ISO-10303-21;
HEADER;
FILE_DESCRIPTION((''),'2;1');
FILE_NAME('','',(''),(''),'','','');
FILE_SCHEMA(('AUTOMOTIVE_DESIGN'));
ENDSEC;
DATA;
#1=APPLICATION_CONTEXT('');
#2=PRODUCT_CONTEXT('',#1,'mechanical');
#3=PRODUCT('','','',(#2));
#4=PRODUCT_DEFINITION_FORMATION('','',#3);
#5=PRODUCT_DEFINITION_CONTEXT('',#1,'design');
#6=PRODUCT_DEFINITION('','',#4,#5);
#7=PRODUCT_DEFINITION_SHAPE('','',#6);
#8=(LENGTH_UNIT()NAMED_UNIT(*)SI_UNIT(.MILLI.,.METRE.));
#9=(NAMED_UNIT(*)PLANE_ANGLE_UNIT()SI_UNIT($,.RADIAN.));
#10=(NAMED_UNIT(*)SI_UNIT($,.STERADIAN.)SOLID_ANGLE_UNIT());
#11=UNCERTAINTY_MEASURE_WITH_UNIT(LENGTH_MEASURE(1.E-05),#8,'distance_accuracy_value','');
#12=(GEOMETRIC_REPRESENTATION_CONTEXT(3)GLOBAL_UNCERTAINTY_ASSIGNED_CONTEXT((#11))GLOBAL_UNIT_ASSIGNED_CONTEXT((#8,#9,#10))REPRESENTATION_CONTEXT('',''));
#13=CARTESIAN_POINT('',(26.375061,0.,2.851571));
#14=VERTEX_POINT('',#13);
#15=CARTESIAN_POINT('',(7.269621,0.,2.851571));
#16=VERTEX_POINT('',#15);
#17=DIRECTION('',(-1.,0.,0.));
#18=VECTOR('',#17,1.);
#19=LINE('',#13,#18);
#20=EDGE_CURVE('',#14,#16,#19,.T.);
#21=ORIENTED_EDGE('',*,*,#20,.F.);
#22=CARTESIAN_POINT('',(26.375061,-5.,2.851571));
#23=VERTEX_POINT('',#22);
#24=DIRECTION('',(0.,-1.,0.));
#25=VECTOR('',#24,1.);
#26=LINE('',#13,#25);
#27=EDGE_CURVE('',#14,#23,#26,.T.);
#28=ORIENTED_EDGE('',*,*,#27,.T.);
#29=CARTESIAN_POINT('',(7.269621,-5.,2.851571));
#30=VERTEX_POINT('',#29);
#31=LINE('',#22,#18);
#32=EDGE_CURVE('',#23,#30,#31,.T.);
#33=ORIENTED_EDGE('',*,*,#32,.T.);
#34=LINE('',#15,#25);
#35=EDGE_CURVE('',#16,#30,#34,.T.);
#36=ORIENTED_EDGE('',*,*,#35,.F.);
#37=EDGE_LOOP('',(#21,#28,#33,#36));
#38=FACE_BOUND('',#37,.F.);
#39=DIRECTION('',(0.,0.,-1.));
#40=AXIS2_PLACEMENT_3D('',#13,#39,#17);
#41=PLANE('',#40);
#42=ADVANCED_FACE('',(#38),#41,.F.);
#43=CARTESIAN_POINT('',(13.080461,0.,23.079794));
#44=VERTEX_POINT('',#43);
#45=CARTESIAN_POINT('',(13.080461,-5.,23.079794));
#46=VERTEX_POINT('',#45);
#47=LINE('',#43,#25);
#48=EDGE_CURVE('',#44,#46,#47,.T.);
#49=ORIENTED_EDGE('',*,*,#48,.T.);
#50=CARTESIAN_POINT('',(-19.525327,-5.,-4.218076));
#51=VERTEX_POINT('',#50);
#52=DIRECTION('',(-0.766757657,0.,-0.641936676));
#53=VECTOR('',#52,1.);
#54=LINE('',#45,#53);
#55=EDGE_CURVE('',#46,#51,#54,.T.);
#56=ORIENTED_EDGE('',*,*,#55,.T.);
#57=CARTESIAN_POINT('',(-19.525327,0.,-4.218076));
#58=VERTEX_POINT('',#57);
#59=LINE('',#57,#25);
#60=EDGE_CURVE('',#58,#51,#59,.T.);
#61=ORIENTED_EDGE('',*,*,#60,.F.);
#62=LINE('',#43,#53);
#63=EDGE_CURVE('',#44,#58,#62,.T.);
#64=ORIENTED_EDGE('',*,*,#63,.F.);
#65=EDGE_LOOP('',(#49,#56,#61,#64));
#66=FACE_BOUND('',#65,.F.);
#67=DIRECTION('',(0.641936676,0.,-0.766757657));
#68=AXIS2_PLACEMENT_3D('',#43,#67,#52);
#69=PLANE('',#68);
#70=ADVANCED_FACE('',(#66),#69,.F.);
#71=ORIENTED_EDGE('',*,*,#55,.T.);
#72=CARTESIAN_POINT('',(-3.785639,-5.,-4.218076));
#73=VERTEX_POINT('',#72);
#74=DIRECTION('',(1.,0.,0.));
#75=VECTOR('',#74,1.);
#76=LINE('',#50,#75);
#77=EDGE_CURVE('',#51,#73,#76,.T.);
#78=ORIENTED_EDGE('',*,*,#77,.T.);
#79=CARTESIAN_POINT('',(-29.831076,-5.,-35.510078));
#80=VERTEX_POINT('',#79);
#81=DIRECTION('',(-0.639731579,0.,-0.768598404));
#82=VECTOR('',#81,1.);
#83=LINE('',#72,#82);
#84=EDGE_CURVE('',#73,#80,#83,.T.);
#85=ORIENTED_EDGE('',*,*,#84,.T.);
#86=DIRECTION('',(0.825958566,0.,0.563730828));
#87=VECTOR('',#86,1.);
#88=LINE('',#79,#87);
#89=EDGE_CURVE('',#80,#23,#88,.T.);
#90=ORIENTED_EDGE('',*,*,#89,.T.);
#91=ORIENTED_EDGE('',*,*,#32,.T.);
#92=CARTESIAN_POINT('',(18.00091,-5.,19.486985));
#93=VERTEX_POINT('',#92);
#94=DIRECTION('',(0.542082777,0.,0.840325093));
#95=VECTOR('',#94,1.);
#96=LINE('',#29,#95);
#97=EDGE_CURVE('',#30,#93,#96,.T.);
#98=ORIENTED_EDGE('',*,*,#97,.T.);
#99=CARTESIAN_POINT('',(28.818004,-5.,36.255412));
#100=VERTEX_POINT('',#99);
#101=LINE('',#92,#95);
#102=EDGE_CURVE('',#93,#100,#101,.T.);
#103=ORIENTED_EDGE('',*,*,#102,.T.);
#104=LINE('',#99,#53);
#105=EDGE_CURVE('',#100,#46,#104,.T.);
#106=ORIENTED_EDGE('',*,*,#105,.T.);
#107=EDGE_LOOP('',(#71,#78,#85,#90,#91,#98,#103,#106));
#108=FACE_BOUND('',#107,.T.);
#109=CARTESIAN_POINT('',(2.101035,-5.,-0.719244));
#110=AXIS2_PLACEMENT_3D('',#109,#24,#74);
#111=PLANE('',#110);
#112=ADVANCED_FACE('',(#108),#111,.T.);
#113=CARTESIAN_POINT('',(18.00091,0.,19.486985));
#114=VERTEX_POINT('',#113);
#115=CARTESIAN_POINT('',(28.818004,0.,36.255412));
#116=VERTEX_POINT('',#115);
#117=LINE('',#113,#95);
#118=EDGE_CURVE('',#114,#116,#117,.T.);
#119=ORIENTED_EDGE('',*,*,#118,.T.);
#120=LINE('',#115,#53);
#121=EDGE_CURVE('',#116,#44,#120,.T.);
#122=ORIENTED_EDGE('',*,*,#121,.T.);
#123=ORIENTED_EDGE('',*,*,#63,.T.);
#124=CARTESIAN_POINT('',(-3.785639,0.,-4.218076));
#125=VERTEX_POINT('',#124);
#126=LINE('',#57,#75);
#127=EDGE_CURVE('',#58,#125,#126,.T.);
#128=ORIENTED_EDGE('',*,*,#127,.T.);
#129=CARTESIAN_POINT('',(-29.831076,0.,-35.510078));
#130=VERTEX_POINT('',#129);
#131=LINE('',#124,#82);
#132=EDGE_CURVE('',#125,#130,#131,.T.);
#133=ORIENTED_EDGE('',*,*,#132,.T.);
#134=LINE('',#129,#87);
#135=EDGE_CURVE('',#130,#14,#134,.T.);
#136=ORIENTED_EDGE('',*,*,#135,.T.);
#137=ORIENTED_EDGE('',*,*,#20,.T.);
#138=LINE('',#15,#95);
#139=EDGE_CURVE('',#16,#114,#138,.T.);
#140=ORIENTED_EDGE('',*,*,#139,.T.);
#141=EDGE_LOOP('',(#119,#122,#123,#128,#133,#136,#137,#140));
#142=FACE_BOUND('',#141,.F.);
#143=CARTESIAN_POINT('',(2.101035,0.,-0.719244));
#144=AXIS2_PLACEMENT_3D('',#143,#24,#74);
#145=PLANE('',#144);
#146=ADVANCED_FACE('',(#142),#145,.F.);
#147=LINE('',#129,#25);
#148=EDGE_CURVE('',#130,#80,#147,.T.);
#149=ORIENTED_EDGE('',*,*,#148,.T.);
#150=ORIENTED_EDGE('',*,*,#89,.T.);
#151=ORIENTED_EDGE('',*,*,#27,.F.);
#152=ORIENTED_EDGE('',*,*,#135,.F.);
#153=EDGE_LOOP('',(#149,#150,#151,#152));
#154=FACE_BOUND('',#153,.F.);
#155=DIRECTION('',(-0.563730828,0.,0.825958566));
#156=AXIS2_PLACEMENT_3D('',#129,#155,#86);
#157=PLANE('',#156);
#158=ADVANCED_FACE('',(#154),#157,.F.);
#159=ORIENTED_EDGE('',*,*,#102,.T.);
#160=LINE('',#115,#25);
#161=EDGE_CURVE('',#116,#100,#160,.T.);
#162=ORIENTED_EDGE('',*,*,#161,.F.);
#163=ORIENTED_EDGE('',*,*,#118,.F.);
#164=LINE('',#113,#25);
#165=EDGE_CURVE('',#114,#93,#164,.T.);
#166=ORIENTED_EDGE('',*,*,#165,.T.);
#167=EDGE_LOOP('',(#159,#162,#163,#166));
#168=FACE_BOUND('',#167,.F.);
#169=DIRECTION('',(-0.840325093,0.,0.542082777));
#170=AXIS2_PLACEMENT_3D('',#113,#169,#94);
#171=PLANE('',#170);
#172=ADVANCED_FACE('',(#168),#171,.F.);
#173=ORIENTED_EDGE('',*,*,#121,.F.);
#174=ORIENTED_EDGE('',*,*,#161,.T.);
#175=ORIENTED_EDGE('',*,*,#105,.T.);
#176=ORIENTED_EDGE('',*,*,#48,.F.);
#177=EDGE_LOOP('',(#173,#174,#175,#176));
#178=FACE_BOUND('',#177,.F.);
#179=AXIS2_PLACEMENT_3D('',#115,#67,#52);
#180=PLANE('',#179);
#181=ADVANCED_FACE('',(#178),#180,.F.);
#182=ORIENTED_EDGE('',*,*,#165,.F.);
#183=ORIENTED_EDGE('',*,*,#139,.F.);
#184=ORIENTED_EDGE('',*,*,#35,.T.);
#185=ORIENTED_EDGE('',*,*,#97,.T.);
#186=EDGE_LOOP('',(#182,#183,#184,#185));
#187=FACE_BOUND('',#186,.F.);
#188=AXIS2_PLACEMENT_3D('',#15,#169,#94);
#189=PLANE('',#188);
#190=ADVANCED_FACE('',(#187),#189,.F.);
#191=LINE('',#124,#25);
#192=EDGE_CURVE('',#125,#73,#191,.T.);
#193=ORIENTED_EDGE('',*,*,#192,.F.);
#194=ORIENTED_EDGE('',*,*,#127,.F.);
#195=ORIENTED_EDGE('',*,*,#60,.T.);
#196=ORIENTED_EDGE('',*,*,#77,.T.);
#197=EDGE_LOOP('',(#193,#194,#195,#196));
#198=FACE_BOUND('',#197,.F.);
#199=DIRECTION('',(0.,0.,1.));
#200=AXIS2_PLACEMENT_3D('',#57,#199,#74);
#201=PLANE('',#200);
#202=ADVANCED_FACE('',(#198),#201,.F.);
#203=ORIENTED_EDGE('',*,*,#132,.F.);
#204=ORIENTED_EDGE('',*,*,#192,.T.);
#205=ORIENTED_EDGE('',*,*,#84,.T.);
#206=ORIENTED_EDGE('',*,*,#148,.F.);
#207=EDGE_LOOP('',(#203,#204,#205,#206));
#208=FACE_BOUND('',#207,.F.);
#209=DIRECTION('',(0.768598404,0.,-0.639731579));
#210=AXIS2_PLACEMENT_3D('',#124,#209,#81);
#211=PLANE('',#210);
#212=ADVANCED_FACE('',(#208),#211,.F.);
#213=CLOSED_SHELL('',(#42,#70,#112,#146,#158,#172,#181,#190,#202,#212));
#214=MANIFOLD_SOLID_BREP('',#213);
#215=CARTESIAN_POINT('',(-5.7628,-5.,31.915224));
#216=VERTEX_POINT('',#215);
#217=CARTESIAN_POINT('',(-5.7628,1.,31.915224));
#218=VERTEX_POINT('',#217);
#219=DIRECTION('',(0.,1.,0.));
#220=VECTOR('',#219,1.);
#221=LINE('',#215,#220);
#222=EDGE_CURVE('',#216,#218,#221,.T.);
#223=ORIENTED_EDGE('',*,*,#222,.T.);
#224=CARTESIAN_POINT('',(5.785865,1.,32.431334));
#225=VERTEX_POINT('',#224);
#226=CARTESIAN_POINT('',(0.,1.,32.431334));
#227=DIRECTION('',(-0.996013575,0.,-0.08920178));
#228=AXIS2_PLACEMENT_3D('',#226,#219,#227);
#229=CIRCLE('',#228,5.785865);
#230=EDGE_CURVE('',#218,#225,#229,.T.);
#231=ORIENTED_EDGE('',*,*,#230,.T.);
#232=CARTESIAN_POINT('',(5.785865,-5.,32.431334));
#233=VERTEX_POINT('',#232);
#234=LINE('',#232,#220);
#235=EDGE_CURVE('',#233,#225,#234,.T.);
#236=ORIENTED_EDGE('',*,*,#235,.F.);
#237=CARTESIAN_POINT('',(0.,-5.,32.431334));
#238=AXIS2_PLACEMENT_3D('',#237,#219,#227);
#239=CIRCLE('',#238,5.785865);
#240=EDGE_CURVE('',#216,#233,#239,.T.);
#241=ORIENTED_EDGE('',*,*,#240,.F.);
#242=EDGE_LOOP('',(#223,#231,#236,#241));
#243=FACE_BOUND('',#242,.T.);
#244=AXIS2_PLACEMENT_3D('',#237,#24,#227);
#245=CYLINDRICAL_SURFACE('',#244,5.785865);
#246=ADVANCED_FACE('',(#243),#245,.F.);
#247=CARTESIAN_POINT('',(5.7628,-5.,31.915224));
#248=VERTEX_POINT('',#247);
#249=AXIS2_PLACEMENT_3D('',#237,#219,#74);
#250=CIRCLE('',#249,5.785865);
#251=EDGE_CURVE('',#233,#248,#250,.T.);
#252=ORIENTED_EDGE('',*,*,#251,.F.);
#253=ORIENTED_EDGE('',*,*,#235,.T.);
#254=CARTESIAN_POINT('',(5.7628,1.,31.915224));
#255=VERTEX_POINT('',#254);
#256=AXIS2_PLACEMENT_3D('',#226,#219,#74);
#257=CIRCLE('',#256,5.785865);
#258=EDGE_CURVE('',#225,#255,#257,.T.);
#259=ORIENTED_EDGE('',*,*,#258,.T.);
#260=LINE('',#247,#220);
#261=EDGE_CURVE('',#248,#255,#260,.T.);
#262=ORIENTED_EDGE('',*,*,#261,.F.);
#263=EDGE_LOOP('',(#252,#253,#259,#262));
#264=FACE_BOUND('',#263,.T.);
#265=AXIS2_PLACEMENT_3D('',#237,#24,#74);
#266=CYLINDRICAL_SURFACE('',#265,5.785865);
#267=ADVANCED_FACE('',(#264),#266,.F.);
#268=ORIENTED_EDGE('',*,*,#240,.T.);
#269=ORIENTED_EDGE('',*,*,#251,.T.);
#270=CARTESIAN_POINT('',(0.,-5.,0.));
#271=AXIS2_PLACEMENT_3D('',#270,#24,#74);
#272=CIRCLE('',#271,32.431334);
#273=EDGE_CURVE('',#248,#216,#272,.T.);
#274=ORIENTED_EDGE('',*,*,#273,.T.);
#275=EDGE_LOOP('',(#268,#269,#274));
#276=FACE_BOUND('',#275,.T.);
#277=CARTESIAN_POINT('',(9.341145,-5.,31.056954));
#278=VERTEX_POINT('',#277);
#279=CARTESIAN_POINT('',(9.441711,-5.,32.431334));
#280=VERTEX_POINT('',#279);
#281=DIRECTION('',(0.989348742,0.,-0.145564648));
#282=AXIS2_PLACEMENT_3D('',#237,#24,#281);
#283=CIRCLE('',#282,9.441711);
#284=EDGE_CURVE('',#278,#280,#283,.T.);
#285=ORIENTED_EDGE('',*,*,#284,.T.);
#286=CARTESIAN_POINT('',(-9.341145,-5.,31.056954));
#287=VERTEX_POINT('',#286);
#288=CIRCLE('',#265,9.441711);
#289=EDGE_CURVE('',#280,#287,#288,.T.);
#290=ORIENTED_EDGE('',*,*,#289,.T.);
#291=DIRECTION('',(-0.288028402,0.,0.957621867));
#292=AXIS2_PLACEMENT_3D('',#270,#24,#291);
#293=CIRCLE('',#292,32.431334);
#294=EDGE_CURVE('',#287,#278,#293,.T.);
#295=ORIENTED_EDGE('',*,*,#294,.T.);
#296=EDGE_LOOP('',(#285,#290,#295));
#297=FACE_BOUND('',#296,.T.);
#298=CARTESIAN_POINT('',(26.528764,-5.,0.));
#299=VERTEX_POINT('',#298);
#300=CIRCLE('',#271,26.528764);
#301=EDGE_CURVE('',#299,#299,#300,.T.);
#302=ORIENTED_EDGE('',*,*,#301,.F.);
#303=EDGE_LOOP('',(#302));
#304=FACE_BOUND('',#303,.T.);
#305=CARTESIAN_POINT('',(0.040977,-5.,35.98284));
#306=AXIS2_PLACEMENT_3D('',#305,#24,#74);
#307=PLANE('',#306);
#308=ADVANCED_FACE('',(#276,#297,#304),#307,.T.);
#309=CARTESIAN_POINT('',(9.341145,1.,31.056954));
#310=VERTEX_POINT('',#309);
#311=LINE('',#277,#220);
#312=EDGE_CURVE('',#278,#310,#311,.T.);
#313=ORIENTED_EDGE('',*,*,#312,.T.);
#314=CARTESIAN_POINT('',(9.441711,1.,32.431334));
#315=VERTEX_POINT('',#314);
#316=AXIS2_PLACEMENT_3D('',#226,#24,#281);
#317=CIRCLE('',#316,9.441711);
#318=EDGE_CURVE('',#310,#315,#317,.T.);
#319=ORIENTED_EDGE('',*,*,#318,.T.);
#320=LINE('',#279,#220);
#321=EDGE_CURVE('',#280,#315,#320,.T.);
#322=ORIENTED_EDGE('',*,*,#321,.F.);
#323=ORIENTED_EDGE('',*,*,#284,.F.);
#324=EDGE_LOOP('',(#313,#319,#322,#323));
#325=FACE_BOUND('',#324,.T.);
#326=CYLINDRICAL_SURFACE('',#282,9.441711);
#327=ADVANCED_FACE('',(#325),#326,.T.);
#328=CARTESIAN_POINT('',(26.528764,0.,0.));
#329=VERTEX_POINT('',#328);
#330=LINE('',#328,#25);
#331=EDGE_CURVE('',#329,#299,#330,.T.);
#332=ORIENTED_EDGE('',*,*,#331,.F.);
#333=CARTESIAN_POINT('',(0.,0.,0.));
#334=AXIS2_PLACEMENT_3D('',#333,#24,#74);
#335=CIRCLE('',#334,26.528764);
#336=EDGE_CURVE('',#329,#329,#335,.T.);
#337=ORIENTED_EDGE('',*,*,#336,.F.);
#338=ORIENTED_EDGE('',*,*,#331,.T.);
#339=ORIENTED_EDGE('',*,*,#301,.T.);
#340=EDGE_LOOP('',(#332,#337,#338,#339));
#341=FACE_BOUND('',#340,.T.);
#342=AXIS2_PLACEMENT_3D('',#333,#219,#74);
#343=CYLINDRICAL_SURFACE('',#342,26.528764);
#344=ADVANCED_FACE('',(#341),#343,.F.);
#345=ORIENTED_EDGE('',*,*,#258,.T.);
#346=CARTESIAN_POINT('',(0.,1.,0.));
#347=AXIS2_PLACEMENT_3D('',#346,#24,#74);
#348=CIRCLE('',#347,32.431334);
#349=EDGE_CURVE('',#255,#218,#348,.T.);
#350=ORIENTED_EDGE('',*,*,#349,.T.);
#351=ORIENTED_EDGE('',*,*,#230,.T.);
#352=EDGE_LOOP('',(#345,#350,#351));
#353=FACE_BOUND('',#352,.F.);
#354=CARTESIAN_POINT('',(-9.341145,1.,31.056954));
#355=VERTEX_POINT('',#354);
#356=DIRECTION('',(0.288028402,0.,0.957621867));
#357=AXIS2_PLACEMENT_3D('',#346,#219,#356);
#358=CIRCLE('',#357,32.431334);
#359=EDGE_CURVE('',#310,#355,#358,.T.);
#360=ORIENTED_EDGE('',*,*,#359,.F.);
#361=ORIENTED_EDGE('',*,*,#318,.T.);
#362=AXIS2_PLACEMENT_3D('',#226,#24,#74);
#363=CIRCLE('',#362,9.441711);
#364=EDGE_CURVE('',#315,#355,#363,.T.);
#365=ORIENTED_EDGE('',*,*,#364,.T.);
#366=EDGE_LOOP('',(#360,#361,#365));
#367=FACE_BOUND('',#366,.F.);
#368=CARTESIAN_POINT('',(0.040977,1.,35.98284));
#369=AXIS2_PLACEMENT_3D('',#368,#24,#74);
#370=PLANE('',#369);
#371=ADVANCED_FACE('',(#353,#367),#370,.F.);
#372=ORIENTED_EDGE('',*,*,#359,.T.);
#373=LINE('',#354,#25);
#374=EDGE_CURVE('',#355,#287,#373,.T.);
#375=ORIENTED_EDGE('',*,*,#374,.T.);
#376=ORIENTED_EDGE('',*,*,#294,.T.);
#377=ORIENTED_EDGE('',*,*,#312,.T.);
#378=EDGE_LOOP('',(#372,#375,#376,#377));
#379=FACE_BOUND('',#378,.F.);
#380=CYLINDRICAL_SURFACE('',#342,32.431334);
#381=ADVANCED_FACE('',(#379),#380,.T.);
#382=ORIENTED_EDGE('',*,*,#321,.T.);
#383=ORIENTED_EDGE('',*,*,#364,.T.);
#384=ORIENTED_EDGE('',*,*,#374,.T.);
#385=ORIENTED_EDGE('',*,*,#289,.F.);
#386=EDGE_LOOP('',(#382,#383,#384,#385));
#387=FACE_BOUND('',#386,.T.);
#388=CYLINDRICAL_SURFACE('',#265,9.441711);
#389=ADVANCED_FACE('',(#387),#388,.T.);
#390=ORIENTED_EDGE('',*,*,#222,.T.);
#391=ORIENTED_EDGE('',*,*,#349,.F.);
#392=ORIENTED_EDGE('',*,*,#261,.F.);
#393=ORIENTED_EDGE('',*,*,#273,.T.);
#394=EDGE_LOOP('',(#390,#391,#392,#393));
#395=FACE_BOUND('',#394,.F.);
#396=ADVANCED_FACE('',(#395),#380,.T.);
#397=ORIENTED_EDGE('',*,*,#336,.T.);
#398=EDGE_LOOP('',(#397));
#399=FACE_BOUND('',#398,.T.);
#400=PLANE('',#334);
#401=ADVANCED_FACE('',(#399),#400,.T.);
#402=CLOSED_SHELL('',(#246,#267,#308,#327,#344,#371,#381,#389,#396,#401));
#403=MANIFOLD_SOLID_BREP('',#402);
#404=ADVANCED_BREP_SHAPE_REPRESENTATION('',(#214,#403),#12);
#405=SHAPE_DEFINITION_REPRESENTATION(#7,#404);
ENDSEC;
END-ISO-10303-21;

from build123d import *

# Parameters (mm, degrees)
F0_R     = 32.4313338528
F1_DEPTH = 1
F2_R     = 32.4313338528
F2_R_2   = 26.5287639538
F3_DEPTH = 5
F5_DEPTH = 5
F7_DEPTH = 6


with BuildPart() as f1:
    # F0 (on Front) → F1 (new body)
    with BuildSketch(Plane.XZ):
        Circle(F0_R)
    extrude(amount=-F1_DEPTH)

    # F2 (on face) → F3 (join)
    with BuildSketch(Plane.XZ):
        Circle(F2_R)
        Circle(F2_R_2, mode=Mode.SUBTRACT)
    extrude(amount=F3_DEPTH)

    # F6 (on face) → F7 (join)
    with BuildSketch(Plane.XZ.offset(5)):
        with BuildLine():
            ThreePointArc((-5.7628004775, 31.9152243628), (-0.258312309, 38.2114301409), (5.7858653932, 32.4313338528))
            ThreePointArc((5.7858653932, 32.4313338528), (5.7800962881, 32.1730215438), (5.7628004775, 31.9152243628))
            ThreePointArc((5.7628004775, 31.9152243628), (7.5641556763, 31.536882604), (9.3411452706, 31.0569544628))
            ThreePointArc((9.3411452706, 31.0569544628), (9.4165362852, 31.7423069577), (9.4417113742, 32.4313338528))
            ThreePointArc((9.4417113742, 32.4313338528), (-0.6890268951, 41.8478701381), (-9.3411452706, 31.0569544628))
            ThreePointArc((-9.3411452706, 31.0569544628), (-7.5641556763, 31.536882604), (-5.7628004775, 31.9152243628))
        make_face()
    extrude(amount=-F7_DEPTH)


with BuildPart() as f5:
    # F4 (on face) → F5 (new body)
    with BuildSketch(Plane.XZ):
        with BuildLine():
            ThreePointArc((18.0009097166, 19.4869845356), (15.6441670807, 21.4251103443), (13.08046056, 23.0797935098))
            Line((13.08046056, 23.0797935098), (-19.5253267884, -4.2180763558))
            Line((-19.5253267884, -4.2180763558), (-3.7856386043, -4.2180763558))
            Line((-3.7856386043, -4.2180763558), (-17.133077543, -20.2542087187))
            ThreePointArc((-17.133077543, -20.2542087187), (-14.7905568302, -22.0230503239), (-12.2669577951, -23.5222673943))
            Line((-12.2669577951, -23.5222673943), (26.3750613609, 2.851570642))
            Line((26.3750613609, 2.851570642), (7.2696207962, 2.851570642))
            Line((7.2696207962, 2.851570642), (18.0009097166, 19.4869845356))
        make_face()
        with BuildLine():
            ThreePointArc((-12.2669577951, -23.5222673943), (-14.7905568302, -22.0230503239), (-17.133077543, -20.2542087187))
            Line((-17.133077543, -20.2542087187), (-29.8310760409, -35.5100780725))
            Line((-29.8310760409, -35.5100780725), (-12.2669577951, -23.5222673943))
        make_face()
        with BuildLine():
            Line((18.0009097166, 19.4869845356), (28.8180038333, 36.2554118037))
            Line((28.8180038333, 36.2554118037), (13.08046056, 23.0797935098))
            ThreePointArc((13.08046056, 23.0797935098), (15.6441670807, 21.4251103443), (18.0009097166, 19.4869845356))
        make_face()
    extrude(amount=F5_DEPTH)


solid = Compound([f1.part, f5.part])
